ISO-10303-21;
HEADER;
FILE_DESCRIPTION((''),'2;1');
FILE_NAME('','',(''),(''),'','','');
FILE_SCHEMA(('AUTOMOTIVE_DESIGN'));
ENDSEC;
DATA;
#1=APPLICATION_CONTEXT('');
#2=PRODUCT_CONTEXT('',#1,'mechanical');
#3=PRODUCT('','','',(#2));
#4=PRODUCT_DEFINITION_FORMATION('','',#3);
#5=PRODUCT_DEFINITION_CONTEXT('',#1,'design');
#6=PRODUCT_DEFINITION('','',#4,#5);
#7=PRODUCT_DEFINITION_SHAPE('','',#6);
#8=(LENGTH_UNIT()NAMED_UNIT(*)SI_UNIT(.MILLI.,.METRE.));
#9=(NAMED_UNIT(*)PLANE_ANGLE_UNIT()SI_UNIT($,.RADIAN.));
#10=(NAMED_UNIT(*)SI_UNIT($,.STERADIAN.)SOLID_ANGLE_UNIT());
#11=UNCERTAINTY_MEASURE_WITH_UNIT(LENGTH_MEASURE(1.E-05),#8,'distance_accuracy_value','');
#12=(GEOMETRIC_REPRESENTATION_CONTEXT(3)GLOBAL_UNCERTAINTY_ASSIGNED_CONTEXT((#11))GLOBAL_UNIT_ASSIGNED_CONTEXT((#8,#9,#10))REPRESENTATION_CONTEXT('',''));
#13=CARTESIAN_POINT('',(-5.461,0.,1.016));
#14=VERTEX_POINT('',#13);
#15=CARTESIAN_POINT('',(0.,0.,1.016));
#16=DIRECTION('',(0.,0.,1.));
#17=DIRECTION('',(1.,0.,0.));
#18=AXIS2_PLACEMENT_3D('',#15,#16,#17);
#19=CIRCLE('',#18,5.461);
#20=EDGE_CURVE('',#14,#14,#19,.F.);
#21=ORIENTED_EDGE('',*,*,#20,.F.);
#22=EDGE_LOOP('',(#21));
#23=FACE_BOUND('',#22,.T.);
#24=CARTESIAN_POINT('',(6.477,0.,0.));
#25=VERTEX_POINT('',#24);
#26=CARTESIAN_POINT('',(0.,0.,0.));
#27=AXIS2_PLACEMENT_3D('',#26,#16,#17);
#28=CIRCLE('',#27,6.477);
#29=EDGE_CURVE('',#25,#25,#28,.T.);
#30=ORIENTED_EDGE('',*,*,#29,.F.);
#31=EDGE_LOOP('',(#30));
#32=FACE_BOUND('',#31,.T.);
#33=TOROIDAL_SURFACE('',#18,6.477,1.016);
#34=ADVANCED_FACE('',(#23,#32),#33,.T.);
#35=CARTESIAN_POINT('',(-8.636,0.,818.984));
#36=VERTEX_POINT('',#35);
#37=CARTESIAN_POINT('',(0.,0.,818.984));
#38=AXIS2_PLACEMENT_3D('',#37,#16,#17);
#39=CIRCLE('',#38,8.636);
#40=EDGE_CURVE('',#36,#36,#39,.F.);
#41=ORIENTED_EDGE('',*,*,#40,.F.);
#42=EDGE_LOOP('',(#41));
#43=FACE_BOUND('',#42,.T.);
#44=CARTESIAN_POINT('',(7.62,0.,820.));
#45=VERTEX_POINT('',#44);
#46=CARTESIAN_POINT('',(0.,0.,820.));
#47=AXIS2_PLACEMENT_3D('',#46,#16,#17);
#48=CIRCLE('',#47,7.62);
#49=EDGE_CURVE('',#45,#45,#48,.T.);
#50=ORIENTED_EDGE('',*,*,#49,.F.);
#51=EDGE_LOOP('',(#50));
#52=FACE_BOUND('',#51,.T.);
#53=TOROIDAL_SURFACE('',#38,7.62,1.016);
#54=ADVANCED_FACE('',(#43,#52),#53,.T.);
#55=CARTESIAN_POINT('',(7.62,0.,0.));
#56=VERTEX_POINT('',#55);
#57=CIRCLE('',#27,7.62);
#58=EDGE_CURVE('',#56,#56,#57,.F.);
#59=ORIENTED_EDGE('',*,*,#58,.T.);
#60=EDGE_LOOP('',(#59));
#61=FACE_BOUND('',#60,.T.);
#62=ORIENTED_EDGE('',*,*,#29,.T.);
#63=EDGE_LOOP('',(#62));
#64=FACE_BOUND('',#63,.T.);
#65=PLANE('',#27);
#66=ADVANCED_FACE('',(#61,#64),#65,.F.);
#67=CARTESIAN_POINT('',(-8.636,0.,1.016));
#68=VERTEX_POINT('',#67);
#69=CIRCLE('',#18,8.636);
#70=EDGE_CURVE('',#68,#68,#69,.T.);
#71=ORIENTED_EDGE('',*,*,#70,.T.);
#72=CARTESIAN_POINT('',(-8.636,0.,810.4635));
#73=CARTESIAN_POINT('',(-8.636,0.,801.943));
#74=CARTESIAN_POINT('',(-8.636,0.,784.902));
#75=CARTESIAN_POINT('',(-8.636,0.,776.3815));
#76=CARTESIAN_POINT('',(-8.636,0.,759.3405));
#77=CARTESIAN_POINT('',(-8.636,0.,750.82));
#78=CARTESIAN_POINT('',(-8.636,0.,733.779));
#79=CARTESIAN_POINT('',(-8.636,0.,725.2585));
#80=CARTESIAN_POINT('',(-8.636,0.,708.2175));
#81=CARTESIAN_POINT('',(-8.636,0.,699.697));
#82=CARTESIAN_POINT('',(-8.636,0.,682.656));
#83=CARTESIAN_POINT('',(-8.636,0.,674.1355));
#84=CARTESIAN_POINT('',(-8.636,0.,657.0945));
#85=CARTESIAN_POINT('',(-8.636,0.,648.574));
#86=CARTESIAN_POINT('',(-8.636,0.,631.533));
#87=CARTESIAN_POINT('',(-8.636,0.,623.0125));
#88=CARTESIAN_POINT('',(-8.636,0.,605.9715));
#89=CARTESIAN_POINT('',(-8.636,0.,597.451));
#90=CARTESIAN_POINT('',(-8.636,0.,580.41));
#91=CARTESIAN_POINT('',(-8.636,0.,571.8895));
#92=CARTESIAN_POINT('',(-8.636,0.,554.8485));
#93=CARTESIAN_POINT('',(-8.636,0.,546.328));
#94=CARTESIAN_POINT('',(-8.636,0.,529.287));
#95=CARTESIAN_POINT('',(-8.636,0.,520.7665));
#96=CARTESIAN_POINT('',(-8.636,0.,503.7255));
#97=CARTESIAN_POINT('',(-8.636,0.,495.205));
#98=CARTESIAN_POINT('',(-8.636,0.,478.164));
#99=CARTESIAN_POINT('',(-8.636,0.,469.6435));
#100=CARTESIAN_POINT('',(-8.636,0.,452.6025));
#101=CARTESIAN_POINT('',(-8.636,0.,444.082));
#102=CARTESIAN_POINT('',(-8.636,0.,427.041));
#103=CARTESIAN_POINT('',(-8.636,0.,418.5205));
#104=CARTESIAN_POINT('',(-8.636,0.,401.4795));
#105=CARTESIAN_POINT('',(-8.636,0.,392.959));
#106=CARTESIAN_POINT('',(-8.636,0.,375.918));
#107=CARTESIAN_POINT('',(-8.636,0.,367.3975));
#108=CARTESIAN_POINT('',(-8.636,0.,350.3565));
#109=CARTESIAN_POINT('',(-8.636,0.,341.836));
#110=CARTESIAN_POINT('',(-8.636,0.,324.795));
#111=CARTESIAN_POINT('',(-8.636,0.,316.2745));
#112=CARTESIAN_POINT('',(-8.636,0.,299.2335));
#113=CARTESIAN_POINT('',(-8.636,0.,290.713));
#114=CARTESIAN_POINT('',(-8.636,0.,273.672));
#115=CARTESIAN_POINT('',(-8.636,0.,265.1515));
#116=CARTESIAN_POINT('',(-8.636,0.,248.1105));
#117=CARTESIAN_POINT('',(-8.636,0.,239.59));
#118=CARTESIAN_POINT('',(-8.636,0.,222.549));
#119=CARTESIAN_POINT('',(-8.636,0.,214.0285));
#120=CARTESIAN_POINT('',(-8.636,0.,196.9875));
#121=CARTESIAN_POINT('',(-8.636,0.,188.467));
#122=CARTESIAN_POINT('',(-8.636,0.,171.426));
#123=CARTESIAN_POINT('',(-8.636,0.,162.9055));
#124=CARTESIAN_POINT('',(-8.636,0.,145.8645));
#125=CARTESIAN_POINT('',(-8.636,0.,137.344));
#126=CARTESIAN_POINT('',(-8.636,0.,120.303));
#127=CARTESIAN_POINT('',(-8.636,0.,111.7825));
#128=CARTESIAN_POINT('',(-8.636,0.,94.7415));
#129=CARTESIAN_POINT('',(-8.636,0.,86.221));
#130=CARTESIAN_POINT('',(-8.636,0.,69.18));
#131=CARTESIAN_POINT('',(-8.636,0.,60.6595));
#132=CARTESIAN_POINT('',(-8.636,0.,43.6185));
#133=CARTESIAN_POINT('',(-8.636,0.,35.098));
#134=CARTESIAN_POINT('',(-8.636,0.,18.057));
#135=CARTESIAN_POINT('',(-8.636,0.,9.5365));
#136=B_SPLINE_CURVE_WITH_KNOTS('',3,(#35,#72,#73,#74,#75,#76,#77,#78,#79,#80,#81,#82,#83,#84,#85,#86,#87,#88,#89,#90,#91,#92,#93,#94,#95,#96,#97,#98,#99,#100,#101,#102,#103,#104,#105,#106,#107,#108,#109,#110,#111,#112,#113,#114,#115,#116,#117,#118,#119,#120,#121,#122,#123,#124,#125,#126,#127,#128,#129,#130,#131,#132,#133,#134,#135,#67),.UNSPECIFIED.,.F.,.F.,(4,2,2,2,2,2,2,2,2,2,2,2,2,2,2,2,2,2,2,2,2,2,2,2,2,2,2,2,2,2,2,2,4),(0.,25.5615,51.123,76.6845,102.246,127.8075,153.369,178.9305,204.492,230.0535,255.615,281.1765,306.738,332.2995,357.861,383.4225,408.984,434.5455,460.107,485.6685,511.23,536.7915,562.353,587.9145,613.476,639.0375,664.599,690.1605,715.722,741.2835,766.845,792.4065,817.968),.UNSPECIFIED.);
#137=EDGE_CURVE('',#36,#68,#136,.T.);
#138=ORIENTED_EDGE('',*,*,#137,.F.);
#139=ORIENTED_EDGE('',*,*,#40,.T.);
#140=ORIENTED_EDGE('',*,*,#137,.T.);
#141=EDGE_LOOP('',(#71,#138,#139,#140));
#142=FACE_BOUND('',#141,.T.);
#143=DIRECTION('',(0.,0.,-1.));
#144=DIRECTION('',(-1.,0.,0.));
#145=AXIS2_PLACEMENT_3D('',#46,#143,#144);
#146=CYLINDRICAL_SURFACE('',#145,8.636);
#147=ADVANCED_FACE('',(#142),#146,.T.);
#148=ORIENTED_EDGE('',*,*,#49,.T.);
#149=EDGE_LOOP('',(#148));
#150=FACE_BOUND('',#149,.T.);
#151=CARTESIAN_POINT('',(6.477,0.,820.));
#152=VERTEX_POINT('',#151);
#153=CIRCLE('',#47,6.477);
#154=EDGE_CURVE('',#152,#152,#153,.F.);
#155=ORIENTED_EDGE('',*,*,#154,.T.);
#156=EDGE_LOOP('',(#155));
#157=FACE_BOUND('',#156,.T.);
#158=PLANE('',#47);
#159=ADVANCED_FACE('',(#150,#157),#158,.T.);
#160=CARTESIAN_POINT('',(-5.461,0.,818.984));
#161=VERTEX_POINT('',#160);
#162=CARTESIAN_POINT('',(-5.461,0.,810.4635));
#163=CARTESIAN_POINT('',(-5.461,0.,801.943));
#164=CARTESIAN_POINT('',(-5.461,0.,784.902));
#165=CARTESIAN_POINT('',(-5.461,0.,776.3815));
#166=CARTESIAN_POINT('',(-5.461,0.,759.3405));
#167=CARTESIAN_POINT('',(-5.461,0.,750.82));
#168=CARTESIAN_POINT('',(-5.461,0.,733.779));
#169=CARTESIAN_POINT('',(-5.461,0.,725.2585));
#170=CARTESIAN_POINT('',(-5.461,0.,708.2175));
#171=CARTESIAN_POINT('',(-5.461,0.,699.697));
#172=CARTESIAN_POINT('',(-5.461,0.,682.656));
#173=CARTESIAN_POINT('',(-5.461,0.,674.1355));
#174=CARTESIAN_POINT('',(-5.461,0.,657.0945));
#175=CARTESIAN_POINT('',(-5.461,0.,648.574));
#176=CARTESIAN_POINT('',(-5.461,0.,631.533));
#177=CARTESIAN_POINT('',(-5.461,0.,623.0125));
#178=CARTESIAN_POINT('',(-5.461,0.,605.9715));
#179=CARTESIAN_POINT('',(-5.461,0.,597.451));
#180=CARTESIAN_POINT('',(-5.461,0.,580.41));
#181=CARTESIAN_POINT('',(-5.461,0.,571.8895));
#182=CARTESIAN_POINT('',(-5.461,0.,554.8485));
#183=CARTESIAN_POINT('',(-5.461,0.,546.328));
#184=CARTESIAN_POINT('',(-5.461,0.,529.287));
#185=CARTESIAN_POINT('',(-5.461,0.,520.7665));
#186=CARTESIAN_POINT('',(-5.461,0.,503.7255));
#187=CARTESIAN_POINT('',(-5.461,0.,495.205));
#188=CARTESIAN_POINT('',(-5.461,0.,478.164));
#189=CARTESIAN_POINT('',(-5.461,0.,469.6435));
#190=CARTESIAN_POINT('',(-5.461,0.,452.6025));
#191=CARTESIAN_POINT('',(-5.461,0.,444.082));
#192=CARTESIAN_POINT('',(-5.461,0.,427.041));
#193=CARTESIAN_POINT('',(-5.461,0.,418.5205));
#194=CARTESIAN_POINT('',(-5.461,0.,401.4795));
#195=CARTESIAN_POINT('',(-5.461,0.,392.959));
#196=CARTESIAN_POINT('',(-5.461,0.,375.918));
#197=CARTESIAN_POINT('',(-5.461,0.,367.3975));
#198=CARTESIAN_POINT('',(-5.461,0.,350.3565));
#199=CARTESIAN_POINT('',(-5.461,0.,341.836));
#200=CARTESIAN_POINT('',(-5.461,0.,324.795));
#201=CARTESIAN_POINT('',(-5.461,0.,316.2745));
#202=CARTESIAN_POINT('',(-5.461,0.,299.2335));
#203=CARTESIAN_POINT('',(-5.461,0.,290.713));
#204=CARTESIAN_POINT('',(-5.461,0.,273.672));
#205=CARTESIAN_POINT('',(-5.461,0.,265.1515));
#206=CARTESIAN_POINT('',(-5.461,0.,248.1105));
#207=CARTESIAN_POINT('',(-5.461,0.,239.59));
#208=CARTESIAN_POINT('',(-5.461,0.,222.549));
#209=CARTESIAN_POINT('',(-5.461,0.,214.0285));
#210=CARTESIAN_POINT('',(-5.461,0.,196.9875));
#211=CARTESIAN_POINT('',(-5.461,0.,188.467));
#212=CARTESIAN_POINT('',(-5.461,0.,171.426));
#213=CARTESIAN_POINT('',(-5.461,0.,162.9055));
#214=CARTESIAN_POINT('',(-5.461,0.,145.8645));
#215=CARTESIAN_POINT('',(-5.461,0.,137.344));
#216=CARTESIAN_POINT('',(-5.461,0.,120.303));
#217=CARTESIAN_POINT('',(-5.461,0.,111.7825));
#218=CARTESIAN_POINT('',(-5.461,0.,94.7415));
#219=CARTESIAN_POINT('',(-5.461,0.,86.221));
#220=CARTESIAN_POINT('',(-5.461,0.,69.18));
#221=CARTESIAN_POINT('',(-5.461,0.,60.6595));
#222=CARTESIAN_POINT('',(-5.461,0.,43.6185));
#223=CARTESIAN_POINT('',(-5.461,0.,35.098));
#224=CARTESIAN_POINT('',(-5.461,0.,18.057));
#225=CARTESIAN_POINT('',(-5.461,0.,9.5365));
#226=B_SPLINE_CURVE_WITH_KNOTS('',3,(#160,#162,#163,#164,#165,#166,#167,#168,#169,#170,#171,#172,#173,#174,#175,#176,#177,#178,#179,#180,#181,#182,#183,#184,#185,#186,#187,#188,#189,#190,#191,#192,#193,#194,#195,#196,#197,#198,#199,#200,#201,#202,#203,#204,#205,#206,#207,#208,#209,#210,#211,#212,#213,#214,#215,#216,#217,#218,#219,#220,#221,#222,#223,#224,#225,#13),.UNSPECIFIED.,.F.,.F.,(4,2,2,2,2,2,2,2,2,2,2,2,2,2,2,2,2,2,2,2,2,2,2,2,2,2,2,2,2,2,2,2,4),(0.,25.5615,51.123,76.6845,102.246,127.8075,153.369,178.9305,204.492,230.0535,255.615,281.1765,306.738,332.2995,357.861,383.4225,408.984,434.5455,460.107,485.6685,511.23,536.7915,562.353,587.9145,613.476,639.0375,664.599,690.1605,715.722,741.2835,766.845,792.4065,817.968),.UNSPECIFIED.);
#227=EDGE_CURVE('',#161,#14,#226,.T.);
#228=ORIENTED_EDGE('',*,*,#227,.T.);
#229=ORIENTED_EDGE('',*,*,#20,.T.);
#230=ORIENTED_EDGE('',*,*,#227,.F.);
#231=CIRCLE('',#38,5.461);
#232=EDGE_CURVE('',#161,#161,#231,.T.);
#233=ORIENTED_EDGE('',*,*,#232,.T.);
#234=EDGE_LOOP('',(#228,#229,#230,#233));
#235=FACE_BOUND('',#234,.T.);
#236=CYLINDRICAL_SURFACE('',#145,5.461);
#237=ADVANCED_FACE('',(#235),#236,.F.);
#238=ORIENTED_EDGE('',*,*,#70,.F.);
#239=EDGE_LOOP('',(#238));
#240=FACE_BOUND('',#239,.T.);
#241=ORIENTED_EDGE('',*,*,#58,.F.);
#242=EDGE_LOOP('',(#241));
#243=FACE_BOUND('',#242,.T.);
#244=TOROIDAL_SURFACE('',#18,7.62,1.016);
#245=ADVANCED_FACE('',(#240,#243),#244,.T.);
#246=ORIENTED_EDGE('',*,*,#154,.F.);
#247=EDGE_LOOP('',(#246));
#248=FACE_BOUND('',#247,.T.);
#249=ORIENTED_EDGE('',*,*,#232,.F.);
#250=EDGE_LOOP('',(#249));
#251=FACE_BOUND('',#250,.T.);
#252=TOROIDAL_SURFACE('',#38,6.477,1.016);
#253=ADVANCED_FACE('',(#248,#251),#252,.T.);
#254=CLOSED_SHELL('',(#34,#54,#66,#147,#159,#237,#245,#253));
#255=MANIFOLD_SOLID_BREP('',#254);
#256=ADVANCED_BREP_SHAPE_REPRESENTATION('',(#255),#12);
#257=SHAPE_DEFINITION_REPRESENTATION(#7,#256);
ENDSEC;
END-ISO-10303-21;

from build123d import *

# Parameters (mm, degrees)
SKETCH2_R           = 8.636
SKETCH2_R_2         = 5.461
BOSS_EXTRUDE1_DEPTH = 820
FILLET1_R           = 1.016


with BuildPart() as part:
    # Sketch2 → Boss-Extrude1 (new body)
    with BuildSketch(Plane.XY):
        with Locations(Location((0, 0, 0), (0, 0, 180))):
            Circle(SKETCH2_R)
        with Locations(Location((0, 0, 0), (0, 0, 180))):
            Circle(SKETCH2_R_2, mode=Mode.SUBTRACT)
    extrude(amount=BOSS_EXTRUDE1_DEPTH)

    # Fillet1
    fillet1_edges = [part.edges().sort_by_distance(p)[0] for p in [
        (8.636, 0, 0),
        (8.636, 0, 820),
        (5.461, 0, 0),
        (5.461, 0, 820),
    ]]
    fillet(fillet1_edges, radius=FILLET1_R)


solid = part.part
